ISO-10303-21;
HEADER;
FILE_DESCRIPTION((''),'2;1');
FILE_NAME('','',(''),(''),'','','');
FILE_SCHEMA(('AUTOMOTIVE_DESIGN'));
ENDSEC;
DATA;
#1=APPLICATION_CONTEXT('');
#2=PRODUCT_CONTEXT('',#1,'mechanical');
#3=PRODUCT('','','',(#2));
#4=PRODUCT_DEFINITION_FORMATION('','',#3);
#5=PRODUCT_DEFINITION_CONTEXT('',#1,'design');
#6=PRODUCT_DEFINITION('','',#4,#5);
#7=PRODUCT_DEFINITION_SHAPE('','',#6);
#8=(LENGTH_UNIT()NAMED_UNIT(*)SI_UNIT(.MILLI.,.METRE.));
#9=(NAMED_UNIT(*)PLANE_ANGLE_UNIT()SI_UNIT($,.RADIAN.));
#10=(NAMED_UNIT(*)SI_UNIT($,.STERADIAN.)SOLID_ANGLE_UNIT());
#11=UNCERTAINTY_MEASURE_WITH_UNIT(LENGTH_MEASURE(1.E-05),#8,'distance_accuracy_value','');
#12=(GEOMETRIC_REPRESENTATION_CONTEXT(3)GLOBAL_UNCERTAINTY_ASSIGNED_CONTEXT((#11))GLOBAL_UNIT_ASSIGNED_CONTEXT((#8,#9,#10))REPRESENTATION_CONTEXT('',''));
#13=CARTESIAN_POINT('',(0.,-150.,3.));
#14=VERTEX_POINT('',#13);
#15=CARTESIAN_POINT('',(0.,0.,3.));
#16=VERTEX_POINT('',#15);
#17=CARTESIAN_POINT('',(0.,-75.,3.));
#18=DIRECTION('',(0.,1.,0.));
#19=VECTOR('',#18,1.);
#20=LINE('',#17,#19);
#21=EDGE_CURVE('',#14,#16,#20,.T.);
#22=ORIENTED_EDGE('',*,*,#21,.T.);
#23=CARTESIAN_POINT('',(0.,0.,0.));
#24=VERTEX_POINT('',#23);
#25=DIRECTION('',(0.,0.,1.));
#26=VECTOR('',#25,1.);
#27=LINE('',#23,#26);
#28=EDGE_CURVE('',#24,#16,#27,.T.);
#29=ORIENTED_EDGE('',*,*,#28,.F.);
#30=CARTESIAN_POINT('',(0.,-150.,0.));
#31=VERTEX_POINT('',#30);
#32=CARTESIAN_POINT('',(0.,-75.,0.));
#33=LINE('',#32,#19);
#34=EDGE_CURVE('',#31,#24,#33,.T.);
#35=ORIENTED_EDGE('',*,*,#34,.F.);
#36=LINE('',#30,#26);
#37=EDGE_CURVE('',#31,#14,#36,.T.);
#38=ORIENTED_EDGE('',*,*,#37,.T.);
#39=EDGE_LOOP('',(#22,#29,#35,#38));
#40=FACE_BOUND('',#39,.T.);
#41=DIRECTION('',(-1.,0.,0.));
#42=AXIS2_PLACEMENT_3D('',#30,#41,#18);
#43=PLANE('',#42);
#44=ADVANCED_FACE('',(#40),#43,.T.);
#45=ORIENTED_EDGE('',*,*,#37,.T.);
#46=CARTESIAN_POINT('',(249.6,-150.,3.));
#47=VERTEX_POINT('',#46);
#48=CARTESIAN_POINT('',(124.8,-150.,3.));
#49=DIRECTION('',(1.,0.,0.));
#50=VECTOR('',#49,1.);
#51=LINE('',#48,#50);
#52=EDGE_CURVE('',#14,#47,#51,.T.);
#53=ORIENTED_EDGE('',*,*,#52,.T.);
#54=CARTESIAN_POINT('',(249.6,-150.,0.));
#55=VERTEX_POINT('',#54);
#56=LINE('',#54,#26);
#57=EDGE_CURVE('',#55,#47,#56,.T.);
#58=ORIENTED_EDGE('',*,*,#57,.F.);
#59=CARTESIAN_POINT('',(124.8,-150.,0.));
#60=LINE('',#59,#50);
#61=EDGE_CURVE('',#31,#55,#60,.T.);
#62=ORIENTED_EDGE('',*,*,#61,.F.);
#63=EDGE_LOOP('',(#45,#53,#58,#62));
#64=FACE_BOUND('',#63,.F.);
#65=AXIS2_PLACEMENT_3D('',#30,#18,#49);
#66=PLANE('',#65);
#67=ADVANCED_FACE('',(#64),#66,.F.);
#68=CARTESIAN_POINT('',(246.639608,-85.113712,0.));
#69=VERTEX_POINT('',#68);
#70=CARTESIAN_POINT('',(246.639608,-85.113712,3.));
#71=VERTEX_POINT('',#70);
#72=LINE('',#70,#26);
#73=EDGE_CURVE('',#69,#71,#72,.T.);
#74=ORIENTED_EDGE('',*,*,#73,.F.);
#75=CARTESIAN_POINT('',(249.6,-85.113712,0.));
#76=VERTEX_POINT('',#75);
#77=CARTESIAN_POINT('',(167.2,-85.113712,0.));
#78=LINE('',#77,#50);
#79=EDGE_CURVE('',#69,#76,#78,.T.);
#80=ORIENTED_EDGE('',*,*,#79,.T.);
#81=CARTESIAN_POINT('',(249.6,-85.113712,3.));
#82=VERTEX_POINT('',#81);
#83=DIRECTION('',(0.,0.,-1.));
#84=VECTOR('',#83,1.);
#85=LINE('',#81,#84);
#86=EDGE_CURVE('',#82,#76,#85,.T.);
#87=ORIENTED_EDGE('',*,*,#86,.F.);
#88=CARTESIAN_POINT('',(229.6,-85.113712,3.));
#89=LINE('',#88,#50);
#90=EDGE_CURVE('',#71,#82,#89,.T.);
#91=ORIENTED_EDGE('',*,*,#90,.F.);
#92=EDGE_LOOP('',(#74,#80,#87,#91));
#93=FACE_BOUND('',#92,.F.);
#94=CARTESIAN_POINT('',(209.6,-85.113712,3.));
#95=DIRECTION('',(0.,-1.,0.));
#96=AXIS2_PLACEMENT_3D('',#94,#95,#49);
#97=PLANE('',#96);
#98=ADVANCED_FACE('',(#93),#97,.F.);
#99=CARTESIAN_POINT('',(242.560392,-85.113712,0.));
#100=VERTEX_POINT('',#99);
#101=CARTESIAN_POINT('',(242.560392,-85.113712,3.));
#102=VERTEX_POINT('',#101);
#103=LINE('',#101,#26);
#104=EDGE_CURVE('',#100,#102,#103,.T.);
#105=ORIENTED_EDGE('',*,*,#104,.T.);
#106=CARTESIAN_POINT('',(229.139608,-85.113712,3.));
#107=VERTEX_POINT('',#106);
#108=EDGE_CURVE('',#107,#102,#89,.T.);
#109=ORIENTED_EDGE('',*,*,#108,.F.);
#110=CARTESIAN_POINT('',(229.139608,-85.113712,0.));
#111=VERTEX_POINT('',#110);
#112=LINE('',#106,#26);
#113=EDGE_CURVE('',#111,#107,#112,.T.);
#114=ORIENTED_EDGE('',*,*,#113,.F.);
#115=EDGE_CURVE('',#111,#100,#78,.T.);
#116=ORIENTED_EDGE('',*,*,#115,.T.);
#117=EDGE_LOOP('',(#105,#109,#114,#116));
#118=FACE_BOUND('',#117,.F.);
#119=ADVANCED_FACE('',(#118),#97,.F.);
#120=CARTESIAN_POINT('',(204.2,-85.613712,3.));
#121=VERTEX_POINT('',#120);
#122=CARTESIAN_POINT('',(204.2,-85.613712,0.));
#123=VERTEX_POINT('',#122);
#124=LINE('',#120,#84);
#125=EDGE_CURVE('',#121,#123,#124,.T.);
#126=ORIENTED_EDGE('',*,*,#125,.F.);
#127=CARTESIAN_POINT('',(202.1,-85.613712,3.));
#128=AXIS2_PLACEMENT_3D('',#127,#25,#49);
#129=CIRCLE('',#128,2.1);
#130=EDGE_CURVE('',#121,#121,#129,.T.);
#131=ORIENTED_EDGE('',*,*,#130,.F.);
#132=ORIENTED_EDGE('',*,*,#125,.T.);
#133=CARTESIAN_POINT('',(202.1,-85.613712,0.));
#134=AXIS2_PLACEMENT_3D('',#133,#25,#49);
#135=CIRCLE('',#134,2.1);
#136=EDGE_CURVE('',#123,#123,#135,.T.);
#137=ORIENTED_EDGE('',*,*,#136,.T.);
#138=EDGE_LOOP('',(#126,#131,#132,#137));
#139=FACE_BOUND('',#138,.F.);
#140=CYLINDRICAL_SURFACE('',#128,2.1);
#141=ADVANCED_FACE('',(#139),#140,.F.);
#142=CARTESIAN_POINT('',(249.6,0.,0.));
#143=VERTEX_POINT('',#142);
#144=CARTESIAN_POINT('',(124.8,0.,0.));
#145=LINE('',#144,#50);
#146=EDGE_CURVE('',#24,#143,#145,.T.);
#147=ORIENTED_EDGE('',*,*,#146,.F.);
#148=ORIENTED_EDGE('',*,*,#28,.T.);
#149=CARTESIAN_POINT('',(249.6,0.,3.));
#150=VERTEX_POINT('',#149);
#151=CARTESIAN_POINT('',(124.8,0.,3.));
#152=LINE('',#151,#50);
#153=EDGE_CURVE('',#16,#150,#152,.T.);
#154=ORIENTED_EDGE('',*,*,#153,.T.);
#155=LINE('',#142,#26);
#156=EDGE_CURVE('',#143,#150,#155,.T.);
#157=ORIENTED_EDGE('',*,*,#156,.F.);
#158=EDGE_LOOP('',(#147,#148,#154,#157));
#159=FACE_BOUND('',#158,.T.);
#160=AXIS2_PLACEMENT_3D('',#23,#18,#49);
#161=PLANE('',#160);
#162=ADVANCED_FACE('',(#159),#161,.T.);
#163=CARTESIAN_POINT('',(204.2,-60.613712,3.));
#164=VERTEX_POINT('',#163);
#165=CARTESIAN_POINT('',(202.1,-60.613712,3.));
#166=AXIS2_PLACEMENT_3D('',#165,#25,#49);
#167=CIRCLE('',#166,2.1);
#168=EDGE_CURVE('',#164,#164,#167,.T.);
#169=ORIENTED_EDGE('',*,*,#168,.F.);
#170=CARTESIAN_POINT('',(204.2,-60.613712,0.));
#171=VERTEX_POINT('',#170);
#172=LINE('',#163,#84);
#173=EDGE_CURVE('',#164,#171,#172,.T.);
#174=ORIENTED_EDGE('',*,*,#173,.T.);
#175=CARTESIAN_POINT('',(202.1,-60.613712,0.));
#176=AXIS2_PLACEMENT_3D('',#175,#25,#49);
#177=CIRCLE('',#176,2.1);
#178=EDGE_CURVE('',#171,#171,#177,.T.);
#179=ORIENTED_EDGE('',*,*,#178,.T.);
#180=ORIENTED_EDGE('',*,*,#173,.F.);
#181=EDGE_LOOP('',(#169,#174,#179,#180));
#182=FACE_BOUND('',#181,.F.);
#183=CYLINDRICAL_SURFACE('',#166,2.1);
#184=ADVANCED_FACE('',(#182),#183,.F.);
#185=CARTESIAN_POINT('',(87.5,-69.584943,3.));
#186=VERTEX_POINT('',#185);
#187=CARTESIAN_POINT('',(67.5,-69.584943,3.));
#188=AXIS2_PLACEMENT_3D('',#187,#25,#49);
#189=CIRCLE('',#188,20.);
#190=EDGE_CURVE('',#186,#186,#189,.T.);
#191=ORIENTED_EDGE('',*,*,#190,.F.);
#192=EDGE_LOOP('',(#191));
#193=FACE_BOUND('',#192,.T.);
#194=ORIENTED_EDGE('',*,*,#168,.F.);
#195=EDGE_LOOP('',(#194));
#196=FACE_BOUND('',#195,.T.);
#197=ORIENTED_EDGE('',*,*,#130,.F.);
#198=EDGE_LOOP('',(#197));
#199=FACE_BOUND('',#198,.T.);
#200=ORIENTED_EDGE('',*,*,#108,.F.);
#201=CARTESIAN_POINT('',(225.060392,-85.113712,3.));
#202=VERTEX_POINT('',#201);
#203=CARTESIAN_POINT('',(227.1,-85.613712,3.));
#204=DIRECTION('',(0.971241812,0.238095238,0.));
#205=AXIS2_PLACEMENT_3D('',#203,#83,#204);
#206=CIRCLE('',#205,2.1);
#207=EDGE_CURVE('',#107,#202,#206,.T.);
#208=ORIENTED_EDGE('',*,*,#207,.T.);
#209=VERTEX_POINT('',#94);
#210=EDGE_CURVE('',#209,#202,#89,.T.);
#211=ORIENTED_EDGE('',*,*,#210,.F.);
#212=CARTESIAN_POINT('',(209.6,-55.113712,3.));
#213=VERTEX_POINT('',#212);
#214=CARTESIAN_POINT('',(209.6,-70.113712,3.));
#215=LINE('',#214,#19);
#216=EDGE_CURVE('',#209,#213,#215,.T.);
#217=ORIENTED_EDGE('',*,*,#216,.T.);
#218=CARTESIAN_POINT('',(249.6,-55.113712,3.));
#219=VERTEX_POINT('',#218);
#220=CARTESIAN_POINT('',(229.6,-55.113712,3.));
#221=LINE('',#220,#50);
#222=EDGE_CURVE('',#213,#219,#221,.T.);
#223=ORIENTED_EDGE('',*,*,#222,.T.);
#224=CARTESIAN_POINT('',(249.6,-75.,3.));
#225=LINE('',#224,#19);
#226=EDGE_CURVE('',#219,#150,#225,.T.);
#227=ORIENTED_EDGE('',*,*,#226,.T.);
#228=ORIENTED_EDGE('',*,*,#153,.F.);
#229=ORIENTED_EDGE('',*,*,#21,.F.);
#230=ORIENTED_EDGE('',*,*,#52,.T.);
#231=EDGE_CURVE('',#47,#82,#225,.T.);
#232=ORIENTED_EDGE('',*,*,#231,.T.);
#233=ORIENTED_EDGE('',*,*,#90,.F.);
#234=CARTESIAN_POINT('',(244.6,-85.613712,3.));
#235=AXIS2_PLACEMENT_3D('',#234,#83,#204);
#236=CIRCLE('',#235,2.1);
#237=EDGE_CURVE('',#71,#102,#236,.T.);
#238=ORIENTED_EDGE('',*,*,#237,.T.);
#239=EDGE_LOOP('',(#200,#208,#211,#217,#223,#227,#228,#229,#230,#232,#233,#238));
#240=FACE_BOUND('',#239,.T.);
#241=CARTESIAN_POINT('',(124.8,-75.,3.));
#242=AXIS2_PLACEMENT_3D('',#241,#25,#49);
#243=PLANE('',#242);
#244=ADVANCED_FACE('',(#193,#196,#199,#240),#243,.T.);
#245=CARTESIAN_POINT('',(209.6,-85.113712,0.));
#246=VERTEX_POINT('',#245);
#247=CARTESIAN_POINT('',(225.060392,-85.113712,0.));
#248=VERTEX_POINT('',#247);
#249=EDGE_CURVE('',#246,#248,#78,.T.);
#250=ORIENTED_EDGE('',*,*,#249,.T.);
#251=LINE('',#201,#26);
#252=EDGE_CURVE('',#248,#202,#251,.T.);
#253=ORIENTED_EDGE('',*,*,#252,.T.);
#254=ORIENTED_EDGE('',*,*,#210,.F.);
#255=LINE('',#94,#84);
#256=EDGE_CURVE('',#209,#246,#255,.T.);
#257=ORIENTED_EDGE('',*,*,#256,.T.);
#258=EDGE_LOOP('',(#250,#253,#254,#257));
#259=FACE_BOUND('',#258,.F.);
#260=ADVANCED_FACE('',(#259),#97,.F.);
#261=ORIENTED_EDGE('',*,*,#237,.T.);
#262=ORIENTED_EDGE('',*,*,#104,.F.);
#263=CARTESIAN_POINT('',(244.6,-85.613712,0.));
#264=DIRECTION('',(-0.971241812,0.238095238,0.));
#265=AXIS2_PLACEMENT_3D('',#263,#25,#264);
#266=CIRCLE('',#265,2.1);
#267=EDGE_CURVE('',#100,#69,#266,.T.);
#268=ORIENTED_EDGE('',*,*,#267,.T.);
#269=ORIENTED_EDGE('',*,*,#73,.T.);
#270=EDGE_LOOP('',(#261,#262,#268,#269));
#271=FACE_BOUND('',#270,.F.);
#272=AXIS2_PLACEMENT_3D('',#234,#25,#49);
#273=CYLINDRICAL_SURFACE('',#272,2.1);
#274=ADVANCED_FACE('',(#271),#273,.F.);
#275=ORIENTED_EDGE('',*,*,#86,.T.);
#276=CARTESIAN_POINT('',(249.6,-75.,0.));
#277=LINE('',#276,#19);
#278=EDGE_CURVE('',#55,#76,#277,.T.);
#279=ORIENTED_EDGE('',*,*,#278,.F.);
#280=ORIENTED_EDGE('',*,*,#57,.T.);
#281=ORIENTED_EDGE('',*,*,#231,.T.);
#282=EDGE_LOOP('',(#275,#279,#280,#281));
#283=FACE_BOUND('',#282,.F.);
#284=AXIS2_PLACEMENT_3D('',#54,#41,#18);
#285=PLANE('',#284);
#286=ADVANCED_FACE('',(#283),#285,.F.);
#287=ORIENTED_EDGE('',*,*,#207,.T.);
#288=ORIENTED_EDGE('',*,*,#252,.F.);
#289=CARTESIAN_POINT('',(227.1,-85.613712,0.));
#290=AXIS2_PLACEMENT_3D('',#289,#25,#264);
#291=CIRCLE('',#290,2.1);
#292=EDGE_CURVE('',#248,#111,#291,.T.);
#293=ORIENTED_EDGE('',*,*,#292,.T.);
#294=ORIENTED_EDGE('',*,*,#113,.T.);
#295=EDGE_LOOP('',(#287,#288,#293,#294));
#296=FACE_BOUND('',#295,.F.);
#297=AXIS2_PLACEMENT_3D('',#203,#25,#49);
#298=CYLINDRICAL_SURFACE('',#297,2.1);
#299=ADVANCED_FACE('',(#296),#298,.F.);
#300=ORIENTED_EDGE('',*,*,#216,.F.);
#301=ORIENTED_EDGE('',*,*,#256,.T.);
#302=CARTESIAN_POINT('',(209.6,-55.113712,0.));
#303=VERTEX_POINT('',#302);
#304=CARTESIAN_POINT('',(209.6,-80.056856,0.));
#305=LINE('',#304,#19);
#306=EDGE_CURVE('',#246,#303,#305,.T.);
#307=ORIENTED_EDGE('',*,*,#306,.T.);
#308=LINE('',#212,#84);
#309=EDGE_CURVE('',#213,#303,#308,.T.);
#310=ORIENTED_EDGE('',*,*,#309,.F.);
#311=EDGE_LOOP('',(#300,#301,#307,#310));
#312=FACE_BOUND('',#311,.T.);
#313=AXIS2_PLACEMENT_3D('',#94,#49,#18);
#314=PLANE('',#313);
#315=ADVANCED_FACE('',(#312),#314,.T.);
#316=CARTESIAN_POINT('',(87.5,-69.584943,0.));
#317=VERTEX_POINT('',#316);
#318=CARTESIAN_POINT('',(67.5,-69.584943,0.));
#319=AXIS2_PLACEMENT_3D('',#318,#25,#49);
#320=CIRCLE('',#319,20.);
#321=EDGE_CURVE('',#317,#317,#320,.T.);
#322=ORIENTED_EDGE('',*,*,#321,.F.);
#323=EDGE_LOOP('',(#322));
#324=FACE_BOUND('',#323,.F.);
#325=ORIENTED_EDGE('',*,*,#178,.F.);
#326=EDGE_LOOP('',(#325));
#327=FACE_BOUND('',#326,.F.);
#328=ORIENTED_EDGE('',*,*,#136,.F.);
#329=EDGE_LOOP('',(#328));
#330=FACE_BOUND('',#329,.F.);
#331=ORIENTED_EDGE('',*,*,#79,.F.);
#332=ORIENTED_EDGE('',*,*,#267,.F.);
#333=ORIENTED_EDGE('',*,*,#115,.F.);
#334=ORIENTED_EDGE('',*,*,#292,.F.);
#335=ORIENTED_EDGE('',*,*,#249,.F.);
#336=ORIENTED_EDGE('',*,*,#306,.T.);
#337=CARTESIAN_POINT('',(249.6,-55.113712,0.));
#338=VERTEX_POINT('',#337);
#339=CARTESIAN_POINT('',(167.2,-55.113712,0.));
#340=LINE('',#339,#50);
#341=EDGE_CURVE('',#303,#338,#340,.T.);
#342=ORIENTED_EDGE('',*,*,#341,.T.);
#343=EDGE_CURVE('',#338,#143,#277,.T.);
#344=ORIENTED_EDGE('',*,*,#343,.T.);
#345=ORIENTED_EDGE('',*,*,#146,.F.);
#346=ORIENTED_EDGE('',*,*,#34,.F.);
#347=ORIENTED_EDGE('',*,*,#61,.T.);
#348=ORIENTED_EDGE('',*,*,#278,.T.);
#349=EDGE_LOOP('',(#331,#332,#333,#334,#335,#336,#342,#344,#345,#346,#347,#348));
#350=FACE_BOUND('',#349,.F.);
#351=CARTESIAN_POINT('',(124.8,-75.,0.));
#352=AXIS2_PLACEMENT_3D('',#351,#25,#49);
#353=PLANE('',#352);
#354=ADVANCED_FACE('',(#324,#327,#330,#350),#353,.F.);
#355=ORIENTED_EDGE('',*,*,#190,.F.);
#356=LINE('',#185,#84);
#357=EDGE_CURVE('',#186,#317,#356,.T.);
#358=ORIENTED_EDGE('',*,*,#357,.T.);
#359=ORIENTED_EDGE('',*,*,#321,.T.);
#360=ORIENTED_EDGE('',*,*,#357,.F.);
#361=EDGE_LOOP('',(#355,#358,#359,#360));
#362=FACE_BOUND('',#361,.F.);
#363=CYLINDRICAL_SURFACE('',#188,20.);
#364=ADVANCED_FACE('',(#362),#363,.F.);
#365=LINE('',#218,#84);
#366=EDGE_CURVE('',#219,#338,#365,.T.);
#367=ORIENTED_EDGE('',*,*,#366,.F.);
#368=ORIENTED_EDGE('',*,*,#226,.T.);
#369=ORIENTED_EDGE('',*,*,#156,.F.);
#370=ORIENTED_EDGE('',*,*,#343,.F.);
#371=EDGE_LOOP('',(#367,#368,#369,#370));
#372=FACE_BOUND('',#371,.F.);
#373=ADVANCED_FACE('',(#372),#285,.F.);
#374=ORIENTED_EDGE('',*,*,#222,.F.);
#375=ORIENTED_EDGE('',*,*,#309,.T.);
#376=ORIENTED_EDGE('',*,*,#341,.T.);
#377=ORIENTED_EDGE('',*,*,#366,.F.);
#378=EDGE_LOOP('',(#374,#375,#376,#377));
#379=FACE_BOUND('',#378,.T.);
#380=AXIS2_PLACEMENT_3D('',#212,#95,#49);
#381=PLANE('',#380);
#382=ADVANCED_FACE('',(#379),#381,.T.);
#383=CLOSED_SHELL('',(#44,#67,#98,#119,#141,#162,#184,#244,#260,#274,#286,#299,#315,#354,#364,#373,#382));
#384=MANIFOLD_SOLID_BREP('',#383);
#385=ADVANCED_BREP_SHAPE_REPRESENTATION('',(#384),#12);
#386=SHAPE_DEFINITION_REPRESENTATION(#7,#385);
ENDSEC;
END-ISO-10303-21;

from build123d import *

# Parameters (mm, degrees)
SKETCH1_W           = 249.6
SKETCH1_H           = 150
BOSS_EXTRUDE1_DEPTH = 3
SKETCH2_R           = 20
CUT_EXTRUDE1_DEPTH  = 4
SKETCH3_W           = 40
SKETCH3_H           = 30
CUT_EXTRUDE2_DEPTH  = 5
SKETCH4_R           = 2.1
SKETCH4_R_2         = 4
CUT_EXTRUDE3_DEPTH  = 4


with BuildPart() as part:
    # Sketch1 → Boss-Extrude1 (new body)
    with BuildSketch(Plane.XY):
        with Locations((124.8, -75)):
            Rectangle(SKETCH1_W, SKETCH1_H)
    extrude(amount=BOSS_EXTRUDE1_DEPTH)

    # Sketch2 → Cut-Extrude1 (cut, through all)
    with BuildSketch(Plane.XY.offset(3)):
        with Locations((67.5, -69.58494332)):
            Circle(SKETCH2_R)
    extrude(amount=-CUT_EXTRUDE1_DEPTH, mode=Mode.SUBTRACT)

    # Sketch3 → Cut-Extrude2 (cut)
    with BuildSketch(Plane.XY.offset(3)):
        with Locations((229.6, -70.113711555)):
            Rectangle(SKETCH3_W, SKETCH3_H)
    extrude(amount=-CUT_EXTRUDE2_DEPTH, mode=Mode.SUBTRACT)

    # Sketch4 → Cut-Extrude3 (cut, through all)
    with BuildSketch(Plane.XY.offset(3)):
        with Locations((244.6, -85.613711555)):
            Circle(SKETCH4_R)
        with Locations((227.1, -85.613711555)):
            Circle(SKETCH4_R)
        with Locations((239.6, -73.113711555)):
            Circle(SKETCH4_R_2)
        with Locations((244.6, -60.613711555)):
            Circle(SKETCH4_R)
        with Locations((227.1, -60.613711555)):
            Circle(SKETCH4_R)
        with Locations((202.1, -85.613711555)):
            Circle(SKETCH4_R)
        with Locations((202.1, -60.613711555)):
            Circle(SKETCH4_R)
        with Locations((214.6, -73.113711555)):
            Circle(SKETCH4_R_2)
    extrude(amount=-CUT_EXTRUDE3_DEPTH, mode=Mode.SUBTRACT)


solid = part.part
